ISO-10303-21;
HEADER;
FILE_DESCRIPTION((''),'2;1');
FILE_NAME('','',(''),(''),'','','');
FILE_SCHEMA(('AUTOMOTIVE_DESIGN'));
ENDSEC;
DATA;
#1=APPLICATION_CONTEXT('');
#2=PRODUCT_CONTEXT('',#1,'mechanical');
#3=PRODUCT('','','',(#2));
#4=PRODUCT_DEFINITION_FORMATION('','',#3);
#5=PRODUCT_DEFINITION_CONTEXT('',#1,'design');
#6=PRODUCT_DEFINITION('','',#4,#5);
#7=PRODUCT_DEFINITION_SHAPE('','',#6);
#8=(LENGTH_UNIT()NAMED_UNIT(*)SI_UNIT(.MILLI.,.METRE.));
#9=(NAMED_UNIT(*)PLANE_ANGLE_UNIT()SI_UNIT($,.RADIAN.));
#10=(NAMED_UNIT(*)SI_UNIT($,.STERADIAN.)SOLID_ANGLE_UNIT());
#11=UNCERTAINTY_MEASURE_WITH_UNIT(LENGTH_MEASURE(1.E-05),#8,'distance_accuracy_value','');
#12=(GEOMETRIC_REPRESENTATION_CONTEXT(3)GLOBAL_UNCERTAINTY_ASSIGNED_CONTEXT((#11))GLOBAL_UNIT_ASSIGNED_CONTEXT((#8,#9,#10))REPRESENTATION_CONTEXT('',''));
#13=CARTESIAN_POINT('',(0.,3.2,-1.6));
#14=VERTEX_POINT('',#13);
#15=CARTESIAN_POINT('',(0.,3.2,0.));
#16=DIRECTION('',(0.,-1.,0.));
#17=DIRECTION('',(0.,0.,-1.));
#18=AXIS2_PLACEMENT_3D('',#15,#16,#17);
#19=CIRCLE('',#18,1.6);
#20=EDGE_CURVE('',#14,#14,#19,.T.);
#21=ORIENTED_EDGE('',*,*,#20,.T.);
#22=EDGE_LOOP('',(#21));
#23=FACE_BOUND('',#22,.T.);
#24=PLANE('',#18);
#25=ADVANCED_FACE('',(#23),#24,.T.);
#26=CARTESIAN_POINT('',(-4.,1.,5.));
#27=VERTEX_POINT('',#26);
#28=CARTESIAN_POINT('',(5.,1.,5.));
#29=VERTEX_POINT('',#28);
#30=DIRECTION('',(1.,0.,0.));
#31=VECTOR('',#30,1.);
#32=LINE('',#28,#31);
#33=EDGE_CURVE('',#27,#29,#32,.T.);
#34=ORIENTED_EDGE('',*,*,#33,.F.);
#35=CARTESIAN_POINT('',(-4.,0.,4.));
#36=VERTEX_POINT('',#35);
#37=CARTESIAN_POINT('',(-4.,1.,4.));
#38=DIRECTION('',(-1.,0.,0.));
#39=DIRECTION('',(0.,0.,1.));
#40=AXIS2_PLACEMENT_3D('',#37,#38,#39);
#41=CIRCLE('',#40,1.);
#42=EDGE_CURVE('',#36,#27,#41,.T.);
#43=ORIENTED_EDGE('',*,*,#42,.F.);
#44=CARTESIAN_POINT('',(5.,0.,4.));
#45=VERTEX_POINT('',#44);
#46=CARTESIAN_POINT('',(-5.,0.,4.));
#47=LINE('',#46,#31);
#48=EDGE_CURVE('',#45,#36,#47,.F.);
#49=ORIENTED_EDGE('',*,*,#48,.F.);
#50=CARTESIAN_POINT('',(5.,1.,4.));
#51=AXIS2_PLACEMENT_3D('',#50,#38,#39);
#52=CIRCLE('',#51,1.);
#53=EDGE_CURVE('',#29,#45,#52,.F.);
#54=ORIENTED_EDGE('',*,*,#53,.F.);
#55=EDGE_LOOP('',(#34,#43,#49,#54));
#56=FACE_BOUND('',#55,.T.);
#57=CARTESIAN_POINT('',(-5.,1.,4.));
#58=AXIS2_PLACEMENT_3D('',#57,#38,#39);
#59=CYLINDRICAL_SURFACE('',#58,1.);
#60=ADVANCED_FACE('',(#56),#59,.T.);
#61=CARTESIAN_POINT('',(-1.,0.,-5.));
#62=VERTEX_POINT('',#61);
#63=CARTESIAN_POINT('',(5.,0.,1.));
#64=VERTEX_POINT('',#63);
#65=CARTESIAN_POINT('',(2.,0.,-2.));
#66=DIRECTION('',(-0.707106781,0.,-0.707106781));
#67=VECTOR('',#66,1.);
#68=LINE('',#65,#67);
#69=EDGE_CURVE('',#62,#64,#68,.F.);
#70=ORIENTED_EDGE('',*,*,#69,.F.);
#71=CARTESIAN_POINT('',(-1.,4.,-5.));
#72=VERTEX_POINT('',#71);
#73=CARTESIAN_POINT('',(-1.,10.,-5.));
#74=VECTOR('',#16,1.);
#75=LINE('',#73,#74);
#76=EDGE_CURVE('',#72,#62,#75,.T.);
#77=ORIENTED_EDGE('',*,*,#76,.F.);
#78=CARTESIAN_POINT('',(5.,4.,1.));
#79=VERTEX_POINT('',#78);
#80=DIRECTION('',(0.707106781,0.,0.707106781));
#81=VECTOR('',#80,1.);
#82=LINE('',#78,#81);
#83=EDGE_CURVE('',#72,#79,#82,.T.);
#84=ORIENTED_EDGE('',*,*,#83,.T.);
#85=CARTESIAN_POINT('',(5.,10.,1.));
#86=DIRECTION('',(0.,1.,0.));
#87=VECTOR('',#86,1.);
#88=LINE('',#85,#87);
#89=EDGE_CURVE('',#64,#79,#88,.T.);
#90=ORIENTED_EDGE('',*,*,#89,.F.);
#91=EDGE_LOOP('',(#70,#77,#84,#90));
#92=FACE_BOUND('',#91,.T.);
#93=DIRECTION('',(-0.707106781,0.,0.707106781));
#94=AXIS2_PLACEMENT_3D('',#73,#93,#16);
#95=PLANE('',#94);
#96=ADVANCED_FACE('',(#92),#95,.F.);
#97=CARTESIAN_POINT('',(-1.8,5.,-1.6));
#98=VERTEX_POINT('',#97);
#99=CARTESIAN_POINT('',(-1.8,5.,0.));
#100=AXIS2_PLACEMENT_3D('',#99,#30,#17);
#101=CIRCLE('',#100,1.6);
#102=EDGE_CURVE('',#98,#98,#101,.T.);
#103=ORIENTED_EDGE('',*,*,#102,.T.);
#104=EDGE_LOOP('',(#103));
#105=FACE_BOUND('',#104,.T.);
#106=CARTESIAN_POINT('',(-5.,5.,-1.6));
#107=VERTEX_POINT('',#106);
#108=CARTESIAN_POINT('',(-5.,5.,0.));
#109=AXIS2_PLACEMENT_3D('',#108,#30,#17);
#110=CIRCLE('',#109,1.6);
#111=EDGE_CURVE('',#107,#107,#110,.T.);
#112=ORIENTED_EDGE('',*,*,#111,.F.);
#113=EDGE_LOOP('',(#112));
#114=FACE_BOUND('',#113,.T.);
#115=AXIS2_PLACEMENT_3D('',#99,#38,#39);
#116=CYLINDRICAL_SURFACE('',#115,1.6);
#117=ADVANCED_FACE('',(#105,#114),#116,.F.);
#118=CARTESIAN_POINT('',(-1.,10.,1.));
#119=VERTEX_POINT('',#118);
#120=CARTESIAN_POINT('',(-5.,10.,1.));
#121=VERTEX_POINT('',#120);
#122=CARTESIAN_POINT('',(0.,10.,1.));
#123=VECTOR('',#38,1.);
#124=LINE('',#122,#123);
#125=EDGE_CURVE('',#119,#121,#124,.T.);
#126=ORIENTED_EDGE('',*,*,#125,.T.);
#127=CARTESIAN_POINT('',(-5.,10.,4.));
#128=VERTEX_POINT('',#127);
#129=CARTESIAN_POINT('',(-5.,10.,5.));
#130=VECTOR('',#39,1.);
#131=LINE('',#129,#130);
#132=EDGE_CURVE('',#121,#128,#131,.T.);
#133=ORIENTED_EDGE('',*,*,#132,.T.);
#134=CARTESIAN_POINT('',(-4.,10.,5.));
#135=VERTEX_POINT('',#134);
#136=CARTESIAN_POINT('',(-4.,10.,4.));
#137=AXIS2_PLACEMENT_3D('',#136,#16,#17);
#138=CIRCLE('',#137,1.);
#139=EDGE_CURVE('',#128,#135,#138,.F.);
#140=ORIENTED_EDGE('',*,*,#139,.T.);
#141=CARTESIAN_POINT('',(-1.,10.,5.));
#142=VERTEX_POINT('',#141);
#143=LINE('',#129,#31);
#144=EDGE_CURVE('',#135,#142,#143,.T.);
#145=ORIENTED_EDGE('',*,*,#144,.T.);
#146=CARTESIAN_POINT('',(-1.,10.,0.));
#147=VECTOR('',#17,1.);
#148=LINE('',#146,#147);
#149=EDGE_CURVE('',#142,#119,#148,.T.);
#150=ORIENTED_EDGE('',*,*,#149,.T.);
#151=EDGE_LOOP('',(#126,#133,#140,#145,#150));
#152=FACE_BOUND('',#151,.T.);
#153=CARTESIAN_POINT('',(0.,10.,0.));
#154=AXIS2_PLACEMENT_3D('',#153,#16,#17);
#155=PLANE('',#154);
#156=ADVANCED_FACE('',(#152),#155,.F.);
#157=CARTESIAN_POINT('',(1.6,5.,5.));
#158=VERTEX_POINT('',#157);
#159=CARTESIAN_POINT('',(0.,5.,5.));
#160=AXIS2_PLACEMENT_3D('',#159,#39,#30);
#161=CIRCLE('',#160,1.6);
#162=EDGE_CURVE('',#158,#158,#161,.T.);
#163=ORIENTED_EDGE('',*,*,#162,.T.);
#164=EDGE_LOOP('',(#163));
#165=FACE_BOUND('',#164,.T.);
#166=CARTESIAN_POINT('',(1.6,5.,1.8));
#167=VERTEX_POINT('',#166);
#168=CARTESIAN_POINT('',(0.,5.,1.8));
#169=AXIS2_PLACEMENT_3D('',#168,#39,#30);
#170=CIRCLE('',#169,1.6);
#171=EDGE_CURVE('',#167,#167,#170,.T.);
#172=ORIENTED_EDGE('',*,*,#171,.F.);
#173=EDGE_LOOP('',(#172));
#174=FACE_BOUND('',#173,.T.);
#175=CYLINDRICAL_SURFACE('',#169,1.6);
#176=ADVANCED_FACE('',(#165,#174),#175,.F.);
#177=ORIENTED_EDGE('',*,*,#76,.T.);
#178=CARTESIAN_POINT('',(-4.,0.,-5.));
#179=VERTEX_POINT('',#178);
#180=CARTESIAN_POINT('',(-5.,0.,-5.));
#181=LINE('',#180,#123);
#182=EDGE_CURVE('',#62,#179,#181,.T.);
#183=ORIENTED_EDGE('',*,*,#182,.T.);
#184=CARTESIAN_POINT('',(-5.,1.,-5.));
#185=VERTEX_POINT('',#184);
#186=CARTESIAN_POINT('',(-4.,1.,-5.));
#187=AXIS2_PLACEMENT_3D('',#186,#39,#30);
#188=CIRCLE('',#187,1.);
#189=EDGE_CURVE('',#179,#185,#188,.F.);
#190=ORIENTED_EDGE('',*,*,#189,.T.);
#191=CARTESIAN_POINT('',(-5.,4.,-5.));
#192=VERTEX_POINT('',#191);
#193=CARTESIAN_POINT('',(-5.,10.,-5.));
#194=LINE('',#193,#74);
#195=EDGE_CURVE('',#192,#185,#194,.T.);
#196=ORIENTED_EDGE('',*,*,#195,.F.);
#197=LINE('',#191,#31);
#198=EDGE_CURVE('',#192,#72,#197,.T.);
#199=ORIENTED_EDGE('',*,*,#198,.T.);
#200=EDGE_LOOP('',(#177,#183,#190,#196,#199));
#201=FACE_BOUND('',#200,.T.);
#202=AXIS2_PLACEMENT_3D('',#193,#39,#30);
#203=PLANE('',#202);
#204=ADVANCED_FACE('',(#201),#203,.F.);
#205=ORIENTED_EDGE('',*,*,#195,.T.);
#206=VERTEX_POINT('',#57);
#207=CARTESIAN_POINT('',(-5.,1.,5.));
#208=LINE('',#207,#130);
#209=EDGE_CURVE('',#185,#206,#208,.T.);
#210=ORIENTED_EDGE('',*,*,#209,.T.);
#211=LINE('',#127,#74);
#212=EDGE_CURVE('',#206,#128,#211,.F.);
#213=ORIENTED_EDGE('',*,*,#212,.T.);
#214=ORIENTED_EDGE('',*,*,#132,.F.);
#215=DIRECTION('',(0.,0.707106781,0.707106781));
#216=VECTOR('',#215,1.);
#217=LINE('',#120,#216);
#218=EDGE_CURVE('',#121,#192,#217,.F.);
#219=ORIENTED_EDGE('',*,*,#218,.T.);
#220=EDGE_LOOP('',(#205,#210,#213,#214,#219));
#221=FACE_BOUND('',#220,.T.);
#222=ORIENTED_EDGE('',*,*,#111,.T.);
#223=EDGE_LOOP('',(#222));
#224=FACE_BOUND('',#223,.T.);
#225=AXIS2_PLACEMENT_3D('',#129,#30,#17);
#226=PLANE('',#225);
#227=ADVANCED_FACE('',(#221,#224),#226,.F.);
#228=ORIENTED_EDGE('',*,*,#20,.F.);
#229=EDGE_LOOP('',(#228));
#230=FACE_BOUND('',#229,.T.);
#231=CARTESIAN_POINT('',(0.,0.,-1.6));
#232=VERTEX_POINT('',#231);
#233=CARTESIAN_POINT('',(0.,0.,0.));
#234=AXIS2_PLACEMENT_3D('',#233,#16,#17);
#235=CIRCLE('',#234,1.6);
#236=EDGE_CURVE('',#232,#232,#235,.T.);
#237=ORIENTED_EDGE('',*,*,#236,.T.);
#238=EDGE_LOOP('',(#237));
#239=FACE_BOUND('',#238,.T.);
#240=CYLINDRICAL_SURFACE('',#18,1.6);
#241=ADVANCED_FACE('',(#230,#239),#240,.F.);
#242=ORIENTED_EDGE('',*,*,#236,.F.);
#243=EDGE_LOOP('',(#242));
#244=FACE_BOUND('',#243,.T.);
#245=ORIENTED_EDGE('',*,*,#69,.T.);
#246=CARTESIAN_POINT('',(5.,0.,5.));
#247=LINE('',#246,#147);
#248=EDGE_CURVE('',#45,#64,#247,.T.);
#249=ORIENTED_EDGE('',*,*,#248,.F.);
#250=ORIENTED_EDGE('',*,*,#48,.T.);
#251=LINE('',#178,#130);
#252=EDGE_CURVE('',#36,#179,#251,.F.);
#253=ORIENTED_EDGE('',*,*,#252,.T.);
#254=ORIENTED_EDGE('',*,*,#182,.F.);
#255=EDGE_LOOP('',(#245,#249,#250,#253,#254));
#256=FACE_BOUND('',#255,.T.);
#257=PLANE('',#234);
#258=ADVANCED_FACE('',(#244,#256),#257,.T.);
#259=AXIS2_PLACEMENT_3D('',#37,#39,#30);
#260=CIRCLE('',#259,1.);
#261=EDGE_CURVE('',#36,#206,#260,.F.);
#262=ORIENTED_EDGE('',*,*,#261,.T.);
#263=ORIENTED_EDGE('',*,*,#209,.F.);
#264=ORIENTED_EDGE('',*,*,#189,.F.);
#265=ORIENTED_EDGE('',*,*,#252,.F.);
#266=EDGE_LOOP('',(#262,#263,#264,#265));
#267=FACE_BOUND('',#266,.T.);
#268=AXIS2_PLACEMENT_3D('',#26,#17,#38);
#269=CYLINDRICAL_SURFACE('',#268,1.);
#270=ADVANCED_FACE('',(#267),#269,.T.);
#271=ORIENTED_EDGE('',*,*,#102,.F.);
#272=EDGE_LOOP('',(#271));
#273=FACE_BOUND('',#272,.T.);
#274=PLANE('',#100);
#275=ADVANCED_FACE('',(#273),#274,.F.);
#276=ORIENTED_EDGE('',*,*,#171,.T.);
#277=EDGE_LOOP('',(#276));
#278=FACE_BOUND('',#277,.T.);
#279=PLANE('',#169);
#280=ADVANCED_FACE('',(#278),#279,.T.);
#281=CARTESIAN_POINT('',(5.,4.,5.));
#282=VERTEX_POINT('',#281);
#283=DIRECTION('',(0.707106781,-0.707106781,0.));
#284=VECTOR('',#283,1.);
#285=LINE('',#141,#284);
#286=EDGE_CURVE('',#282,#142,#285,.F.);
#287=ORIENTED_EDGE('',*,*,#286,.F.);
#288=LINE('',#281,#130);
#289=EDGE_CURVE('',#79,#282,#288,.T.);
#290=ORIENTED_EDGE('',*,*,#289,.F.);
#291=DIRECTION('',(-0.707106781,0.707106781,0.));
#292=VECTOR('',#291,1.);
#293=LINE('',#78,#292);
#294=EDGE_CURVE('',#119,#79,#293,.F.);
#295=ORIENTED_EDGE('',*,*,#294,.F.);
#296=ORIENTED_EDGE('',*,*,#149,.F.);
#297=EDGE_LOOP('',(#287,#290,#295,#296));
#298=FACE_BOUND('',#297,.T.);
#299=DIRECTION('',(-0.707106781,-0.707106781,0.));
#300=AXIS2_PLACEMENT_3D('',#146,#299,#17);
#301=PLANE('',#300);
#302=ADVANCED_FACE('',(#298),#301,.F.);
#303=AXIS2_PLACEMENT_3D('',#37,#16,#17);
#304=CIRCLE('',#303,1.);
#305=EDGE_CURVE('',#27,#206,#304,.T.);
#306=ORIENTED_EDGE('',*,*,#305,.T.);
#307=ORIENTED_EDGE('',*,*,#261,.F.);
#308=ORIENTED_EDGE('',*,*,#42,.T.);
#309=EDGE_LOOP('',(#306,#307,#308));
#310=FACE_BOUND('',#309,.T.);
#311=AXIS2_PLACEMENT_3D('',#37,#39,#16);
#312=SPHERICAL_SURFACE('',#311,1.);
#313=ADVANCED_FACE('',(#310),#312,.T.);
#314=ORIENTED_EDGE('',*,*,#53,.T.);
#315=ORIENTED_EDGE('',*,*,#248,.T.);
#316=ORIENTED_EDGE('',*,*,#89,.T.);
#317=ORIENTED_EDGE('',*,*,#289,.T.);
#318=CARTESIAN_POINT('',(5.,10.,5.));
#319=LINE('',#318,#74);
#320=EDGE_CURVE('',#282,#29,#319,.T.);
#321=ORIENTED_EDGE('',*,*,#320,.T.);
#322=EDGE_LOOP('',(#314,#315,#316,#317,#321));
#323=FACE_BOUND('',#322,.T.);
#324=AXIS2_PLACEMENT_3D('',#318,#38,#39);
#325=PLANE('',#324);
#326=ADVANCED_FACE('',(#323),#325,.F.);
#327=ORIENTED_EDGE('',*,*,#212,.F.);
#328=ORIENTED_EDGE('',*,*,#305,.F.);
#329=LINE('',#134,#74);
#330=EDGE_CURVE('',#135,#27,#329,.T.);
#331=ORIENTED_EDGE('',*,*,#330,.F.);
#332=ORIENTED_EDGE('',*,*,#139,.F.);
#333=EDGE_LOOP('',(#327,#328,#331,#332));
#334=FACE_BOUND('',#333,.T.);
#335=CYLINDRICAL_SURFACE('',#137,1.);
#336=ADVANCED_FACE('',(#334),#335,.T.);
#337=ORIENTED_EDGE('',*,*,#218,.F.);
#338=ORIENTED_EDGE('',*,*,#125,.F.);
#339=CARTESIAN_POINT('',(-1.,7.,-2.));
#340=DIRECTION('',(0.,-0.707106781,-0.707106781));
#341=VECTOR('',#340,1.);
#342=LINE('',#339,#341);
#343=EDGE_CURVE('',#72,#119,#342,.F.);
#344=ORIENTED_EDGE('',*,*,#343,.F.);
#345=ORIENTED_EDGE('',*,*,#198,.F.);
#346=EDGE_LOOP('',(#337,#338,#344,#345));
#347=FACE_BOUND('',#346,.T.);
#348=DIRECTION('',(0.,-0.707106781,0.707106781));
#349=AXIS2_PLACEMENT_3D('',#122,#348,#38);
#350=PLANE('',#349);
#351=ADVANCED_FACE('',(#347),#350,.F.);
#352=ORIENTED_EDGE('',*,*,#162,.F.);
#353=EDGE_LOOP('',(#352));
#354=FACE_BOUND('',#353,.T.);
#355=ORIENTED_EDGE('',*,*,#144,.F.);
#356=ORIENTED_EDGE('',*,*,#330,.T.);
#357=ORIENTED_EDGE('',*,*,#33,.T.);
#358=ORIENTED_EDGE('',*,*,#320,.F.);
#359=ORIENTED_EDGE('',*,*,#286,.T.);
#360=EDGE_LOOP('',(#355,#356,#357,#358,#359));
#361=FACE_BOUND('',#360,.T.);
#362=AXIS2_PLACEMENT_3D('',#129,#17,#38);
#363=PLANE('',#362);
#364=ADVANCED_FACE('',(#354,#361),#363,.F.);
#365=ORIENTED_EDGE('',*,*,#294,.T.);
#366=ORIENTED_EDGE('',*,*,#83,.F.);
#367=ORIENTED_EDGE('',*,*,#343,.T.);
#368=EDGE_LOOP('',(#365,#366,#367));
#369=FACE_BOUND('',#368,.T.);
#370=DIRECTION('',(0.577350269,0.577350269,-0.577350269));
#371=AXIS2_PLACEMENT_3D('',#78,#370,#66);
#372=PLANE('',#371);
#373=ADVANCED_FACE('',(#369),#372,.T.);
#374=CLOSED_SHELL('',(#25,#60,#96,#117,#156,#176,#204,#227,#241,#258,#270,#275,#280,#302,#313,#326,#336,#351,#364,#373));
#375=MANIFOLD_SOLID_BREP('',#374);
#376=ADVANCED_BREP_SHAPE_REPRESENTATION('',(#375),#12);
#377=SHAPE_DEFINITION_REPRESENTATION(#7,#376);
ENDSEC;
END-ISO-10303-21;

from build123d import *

# Parameters (mm, degrees)
SKETCH1_W           = 10
SKETCH1_H           = 10
BOSS_EXTRUDE1_DEPTH = 10
SKETCH2_R           = 1.6
CUT_EXTRUDE1_DEPTH  = 3.2
SKETCH3_R           = 1.6
CUT_EXTRUDE3_DEPTH  = 3.2
SKETCH4_R           = 1.6
CUT_EXTRUDE4_DEPTH  = 3.2
FILLET2_R           = 1
CHAMFER1_SIZE       = 6


with BuildPart() as part:
    # Sketch1 → Boss-Extrude1 (new body)
    with BuildSketch(Plane(origin=(0, 0, 0), x_dir=(1, 0, 0), z_dir=(0, 1, 0))):
        Rectangle(SKETCH1_W, SKETCH1_H)
    extrude(amount=BOSS_EXTRUDE1_DEPTH)

    # Sketch2 → Cut-Extrude1 (cut)
    with BuildSketch(Plane.XY.offset(5)):
        with Locations((0, 5)):
            Circle(SKETCH2_R)
    extrude(amount=-CUT_EXTRUDE1_DEPTH, mode=Mode.SUBTRACT)

    # Sketch3 → Cut-Extrude3 (cut)
    with BuildSketch(Plane(origin=(0, 0, 0), x_dir=(-1, 0, 0), z_dir=(0, -1, 0))):
        with Locations(Location((0, 0, 0), (0, 0, 90))):
            Circle(SKETCH3_R)
    extrude(amount=-CUT_EXTRUDE3_DEPTH, mode=Mode.SUBTRACT)

    # Sketch4 → Cut-Extrude4 (cut)
    with BuildSketch(Plane(origin=(-5, 0, 0), x_dir=(0, 0, -1), z_dir=(1, 0, 0))):
        with Locations((0, 5)):
            Circle(SKETCH4_R)
    extrude(amount=CUT_EXTRUDE4_DEPTH, mode=Mode.SUBTRACT)

    # Fillet2
    fillet2_edges = [part.edges().sort_by_distance(p)[0] for p in [
        (0, 0, 5),
        (-5, 0, 0),
        (-5, 5, 5),
    ]]
    fillet(fillet2_edges, radius=FILLET2_R)

    # Chamfer1
    chamfer1_edges = [part.edges().sort_by_distance(p)[0] for p in [
        (5, 10, 0),
        (5, 5, -5),
        (0, 10, -5),
    ]]
    chamfer(chamfer1_edges, length=CHAMFER1_SIZE)


solid = part.part
